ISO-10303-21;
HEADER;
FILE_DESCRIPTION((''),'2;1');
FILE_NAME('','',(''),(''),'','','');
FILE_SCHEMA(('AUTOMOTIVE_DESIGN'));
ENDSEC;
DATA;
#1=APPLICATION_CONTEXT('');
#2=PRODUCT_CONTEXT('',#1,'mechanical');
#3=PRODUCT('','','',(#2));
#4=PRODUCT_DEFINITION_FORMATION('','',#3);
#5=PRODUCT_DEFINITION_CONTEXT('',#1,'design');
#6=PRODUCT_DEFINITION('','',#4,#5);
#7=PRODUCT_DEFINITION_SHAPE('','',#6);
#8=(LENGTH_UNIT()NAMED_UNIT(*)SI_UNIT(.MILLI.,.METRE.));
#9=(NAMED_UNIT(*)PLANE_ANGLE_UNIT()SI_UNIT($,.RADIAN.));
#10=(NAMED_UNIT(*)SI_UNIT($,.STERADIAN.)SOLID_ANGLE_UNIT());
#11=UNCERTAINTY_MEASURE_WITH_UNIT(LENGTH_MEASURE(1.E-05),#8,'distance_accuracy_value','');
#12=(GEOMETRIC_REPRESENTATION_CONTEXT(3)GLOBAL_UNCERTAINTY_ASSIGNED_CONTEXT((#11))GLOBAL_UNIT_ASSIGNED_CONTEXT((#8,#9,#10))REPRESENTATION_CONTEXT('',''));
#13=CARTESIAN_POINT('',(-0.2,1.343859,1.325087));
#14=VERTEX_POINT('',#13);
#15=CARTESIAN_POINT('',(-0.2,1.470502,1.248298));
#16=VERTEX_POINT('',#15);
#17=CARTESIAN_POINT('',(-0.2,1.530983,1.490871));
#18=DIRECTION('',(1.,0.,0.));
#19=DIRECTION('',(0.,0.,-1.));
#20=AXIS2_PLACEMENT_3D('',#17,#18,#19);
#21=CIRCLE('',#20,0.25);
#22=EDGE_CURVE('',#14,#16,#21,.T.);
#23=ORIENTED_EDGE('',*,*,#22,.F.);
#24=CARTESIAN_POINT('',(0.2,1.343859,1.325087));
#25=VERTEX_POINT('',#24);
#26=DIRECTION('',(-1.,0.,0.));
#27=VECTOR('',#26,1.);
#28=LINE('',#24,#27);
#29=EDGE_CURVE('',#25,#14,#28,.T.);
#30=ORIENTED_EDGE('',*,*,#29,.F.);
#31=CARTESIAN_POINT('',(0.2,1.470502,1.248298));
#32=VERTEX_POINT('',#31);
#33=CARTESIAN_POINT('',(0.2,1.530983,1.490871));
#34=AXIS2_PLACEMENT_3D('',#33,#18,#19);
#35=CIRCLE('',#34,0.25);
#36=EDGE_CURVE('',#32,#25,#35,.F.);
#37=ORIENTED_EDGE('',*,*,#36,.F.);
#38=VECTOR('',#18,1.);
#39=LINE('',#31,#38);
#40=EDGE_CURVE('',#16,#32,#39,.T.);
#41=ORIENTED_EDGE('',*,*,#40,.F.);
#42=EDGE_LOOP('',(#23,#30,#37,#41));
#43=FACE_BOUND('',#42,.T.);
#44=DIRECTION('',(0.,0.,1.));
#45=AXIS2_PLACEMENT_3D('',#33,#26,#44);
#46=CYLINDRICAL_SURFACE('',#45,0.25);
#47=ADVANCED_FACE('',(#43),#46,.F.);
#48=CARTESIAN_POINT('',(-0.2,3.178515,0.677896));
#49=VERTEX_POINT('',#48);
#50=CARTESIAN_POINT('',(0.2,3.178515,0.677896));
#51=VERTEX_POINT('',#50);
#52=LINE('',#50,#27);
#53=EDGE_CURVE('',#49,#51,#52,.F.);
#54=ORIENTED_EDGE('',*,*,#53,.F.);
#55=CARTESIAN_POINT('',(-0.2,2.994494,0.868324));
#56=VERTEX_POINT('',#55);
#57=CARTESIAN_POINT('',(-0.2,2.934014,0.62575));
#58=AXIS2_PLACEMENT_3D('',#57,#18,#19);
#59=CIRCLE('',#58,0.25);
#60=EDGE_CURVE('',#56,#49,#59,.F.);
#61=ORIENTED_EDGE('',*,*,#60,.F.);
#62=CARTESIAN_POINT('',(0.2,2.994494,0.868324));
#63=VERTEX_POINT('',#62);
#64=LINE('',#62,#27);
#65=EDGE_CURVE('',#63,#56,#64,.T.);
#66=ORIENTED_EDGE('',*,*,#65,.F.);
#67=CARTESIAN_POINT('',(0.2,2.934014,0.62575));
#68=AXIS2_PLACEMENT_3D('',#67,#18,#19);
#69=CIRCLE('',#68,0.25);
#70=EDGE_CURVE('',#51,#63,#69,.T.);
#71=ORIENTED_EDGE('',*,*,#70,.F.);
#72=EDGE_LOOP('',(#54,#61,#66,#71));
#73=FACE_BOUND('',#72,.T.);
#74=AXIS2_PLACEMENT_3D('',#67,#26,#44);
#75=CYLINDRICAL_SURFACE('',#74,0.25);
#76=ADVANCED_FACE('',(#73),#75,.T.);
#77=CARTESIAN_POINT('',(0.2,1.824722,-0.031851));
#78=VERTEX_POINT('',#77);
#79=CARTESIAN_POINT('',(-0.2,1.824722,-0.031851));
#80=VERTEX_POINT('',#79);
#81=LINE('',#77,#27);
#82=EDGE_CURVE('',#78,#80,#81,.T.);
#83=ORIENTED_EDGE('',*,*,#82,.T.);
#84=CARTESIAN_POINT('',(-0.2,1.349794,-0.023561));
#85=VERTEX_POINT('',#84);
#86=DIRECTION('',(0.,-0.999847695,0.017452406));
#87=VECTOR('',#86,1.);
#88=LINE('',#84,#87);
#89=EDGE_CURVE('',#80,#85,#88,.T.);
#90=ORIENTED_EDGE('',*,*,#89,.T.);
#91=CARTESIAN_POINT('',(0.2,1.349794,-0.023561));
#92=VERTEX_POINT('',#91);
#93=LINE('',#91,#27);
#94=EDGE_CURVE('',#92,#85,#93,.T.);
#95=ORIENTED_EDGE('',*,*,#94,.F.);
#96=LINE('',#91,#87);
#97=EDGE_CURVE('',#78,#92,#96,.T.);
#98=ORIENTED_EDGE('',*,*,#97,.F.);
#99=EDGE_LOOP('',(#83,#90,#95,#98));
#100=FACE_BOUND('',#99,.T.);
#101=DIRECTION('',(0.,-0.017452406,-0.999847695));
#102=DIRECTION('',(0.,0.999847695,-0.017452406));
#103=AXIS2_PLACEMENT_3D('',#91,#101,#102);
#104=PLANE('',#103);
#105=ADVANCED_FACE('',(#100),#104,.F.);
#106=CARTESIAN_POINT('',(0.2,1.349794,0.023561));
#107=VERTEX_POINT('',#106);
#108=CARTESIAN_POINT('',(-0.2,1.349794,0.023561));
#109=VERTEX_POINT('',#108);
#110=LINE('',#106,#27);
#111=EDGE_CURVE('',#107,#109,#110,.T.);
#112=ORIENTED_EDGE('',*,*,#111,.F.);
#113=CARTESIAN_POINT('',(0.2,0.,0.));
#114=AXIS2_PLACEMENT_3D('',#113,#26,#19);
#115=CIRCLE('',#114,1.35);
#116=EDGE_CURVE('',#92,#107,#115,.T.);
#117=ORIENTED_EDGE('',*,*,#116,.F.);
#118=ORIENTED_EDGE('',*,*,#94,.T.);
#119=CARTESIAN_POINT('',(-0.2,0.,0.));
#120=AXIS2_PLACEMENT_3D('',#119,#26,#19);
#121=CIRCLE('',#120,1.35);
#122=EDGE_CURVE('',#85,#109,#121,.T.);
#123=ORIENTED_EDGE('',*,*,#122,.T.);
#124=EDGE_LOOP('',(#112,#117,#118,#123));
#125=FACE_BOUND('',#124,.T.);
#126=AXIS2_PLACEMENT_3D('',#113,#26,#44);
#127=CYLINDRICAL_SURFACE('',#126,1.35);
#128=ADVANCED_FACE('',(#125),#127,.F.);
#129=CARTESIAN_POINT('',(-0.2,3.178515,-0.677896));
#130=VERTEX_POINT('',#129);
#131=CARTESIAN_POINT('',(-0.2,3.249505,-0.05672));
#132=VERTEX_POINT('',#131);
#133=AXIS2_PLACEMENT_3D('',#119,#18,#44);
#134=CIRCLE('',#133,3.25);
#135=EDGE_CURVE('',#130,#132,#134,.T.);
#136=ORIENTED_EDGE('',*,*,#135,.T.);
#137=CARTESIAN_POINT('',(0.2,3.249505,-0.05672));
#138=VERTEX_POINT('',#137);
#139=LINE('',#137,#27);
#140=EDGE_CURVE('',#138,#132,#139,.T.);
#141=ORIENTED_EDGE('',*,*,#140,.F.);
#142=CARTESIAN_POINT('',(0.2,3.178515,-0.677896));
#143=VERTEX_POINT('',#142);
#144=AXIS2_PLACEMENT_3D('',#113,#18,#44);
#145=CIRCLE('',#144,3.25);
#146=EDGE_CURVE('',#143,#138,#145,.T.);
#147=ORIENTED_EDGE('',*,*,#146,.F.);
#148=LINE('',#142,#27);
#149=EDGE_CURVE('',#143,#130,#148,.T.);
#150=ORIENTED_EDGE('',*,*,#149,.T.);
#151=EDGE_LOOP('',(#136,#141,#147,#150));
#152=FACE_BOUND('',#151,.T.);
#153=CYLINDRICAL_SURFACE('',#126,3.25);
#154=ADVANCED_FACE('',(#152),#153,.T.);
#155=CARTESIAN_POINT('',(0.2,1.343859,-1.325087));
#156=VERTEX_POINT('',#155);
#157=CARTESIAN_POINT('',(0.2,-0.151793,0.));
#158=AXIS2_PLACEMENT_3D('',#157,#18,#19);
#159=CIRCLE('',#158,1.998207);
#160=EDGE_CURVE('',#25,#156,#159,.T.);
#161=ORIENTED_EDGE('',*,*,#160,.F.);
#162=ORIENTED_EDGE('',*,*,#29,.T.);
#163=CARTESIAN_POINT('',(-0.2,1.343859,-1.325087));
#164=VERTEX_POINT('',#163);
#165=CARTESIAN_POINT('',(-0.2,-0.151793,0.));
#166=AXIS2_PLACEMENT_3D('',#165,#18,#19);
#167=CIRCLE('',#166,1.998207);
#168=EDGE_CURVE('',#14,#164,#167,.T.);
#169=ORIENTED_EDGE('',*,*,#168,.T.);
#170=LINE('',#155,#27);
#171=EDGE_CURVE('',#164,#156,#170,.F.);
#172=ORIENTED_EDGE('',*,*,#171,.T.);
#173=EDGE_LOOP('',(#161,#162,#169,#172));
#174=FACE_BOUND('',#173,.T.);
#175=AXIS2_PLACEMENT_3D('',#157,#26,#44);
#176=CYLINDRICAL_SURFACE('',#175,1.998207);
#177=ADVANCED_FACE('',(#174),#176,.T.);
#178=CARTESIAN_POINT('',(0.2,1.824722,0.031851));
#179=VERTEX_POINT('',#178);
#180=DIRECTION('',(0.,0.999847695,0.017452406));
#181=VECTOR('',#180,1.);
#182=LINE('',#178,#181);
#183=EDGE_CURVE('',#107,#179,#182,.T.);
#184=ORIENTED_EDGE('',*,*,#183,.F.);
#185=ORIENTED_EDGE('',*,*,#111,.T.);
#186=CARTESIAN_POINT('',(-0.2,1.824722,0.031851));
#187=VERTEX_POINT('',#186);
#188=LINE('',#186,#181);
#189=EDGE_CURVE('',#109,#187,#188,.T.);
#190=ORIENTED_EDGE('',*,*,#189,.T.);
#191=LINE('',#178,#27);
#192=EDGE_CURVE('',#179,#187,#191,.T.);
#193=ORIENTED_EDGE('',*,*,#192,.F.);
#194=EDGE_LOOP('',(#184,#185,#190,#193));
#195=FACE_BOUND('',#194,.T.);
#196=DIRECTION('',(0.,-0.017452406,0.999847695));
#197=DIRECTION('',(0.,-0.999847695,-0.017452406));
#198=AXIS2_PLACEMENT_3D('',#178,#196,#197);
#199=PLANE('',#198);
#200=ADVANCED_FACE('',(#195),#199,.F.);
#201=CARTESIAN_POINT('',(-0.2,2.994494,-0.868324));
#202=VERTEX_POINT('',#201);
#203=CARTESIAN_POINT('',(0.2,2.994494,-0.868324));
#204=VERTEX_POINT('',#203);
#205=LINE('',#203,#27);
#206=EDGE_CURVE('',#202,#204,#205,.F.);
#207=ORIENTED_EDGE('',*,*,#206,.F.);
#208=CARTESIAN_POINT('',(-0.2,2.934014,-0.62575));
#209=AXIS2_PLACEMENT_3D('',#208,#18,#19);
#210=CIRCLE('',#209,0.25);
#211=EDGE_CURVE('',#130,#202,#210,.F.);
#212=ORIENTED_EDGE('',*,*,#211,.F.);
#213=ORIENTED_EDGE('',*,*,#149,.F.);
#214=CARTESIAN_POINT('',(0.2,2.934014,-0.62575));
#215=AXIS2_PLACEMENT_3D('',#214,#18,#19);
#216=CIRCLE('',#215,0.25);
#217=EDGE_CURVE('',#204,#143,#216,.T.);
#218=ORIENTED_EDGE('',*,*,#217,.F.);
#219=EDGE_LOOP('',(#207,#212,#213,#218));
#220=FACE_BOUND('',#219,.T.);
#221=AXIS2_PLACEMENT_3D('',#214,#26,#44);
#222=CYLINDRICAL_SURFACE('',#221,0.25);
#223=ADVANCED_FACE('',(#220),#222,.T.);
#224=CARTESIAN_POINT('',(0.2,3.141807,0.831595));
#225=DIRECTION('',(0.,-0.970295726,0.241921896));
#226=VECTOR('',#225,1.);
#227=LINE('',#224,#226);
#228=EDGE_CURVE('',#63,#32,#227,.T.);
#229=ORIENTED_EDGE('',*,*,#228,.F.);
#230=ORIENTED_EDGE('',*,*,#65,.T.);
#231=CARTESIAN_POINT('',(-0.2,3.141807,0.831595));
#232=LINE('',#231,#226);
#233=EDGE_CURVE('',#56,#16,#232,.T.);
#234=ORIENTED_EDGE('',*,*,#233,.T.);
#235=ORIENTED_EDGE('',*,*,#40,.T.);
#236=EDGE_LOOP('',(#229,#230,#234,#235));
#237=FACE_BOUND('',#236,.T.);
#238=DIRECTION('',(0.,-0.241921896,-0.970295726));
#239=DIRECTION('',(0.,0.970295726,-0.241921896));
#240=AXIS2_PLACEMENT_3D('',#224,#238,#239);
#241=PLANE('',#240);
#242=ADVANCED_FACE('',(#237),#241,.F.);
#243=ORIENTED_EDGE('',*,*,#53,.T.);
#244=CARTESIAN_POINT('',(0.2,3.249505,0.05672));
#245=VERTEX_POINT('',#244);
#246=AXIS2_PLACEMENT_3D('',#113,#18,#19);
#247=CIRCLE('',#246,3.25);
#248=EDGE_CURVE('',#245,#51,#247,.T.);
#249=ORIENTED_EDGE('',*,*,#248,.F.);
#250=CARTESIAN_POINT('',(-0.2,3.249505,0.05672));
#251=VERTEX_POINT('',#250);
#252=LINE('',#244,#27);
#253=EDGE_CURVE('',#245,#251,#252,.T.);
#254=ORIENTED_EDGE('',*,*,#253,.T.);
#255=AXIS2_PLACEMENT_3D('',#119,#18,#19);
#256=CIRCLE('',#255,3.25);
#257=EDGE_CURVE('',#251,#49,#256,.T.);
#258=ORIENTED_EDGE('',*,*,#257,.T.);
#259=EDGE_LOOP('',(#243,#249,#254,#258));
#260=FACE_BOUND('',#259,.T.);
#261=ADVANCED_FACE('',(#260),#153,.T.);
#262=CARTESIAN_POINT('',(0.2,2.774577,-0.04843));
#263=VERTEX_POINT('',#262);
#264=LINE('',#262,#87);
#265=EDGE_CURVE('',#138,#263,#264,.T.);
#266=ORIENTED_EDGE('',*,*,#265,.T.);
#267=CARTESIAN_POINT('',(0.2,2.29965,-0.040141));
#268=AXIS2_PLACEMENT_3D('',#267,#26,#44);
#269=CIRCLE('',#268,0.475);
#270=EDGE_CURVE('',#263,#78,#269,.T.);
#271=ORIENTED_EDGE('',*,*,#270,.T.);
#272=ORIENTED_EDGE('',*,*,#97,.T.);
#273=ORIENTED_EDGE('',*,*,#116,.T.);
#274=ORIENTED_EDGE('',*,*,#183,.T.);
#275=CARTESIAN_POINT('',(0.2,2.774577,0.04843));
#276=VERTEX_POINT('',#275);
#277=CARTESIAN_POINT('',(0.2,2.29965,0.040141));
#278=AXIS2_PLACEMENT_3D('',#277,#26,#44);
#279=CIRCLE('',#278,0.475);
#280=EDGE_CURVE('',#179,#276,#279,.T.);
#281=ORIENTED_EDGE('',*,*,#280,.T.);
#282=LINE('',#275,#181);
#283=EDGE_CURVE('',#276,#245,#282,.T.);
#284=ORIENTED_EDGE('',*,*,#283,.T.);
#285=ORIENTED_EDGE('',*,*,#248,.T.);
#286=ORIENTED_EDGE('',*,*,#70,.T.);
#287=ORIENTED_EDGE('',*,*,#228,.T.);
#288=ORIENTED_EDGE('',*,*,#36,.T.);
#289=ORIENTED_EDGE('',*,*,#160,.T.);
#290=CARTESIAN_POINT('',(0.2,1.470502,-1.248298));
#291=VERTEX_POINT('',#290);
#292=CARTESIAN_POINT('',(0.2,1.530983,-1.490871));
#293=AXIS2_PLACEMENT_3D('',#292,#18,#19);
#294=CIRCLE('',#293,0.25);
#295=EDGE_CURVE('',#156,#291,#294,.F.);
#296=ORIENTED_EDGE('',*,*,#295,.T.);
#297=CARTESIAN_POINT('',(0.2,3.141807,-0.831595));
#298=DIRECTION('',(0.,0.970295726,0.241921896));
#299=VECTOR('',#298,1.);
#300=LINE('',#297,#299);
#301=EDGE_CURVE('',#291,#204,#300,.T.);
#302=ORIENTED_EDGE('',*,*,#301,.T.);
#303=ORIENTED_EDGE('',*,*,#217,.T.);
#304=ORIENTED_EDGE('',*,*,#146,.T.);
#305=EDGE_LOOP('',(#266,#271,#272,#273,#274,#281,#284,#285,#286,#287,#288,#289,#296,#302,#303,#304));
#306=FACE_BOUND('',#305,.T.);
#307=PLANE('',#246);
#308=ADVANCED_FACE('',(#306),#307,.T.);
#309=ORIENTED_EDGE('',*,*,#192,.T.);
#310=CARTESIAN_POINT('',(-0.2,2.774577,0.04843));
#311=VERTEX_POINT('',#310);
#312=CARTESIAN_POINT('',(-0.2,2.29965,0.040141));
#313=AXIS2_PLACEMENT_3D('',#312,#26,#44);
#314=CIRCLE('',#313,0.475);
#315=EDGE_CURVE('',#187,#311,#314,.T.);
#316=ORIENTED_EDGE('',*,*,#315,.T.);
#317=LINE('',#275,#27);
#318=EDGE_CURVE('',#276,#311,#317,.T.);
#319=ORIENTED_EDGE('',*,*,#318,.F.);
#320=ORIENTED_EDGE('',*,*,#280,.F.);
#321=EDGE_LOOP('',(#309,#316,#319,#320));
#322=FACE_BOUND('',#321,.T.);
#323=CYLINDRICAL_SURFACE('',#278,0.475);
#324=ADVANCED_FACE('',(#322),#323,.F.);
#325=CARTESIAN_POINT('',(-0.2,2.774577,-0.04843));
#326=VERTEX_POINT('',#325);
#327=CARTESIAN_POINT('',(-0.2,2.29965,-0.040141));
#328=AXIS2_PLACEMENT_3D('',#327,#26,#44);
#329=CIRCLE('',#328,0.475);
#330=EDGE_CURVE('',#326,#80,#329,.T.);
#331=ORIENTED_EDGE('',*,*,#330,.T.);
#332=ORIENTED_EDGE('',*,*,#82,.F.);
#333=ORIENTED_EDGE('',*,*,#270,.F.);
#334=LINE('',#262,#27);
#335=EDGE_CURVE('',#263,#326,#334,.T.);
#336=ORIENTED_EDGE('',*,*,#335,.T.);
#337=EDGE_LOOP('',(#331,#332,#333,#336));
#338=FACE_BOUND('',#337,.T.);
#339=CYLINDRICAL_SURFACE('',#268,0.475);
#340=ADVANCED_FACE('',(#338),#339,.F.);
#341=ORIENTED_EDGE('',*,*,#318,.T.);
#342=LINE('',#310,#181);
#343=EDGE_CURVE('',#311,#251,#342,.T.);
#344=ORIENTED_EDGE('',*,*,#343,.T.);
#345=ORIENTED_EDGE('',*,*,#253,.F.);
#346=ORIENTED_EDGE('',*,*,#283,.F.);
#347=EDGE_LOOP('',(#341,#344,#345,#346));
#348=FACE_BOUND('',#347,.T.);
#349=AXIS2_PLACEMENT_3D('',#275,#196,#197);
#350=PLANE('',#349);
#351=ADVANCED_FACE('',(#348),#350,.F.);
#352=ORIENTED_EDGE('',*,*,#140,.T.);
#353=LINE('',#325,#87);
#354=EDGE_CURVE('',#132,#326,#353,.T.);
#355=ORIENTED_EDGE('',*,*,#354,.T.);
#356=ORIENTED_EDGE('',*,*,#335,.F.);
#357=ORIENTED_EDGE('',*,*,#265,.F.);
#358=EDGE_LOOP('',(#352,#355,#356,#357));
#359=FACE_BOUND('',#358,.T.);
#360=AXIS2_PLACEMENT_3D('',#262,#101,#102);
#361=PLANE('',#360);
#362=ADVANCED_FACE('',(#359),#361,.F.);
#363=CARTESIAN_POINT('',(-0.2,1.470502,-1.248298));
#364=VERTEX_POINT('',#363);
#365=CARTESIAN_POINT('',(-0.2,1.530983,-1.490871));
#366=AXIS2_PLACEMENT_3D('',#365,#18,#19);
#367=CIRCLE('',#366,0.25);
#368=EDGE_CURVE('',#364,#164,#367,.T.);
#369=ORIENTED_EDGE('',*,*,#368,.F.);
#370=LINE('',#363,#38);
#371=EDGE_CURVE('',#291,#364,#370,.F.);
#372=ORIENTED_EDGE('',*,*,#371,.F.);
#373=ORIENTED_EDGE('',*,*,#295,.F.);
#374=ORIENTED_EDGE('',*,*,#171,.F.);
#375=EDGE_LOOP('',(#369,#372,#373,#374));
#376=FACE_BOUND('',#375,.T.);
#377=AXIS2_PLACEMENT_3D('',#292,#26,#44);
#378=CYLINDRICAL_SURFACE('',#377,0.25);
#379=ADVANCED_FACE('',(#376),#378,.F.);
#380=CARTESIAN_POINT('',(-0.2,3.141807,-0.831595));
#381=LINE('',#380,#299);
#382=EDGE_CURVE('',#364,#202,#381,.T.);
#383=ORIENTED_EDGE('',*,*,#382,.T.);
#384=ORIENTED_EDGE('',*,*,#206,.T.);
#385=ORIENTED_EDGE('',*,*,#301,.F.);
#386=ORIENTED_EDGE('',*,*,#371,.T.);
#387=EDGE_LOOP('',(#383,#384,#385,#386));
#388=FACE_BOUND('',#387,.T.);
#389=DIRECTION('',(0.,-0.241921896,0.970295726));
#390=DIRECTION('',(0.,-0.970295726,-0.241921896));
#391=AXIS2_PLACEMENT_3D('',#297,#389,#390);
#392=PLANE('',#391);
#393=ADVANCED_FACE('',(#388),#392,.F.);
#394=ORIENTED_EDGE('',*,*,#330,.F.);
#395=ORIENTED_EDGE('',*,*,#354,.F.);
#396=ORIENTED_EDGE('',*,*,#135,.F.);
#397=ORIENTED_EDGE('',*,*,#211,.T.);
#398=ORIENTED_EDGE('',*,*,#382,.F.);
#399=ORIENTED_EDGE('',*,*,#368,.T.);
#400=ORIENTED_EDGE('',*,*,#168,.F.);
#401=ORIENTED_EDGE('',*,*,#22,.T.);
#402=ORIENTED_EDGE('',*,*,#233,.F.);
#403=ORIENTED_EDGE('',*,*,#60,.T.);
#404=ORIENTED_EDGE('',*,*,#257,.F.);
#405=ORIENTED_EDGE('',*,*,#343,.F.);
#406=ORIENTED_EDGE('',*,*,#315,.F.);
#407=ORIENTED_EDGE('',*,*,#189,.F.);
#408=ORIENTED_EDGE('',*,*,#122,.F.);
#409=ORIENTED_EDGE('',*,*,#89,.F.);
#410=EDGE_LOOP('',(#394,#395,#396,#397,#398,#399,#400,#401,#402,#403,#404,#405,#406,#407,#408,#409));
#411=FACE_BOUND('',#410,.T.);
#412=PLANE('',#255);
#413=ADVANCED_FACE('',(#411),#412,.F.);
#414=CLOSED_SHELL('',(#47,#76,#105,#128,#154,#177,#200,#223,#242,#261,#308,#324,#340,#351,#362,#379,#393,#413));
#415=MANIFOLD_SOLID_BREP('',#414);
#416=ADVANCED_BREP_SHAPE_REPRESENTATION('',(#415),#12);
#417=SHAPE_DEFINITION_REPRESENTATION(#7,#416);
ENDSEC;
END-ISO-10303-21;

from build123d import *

# Parameters (mm, degrees)
EXTRUDE1_DEPTH = 0.2
FILLET1_R      = 0.25


with BuildPart() as part:
    # Sketch1 → Extrude1 (new, symmetric)
    with BuildSketch(Plane(origin=(0, 0, 0), x_dir=(0, 0, -1), z_dir=(1, 0, 0))):
        with BuildLine():
            Line((0.023560749, 1.349794388), (0.031850642, 1.824722044))
            ThreePointArc((0.031850642, 1.824722044), (0.51506819, 2.291359806), (0.048430428, 2.774577354))
            Line((0.048430428, 2.774577354), (0.056720321, 3.249505009))
            ThreePointArc((0.056720321, 3.249505009), (0.447409805, 3.219056456), (0.831594516, 3.141806894))
            Line((0.831594516, 3.141806894), (1.267663611, 1.392829284))
            ThreePointArc((1.267663611, 1.392829284), (0, -2.15), (-1.267663611, 1.392829284))
            Line((-1.267663611, 1.392829284), (-0.831594516, 3.141806894))
            ThreePointArc((-0.831594516, 3.141806894), (-0.447409805, 3.219056456), (-0.056720321, 3.249505009))
            Line((-0.056720321, 3.249505009), (-0.048430428, 2.774577354))
            ThreePointArc((-0.048430428, 2.774577354), (-0.51506819, 2.291359806), (-0.031850642, 1.824722044))
            Line((-0.031850642, 1.824722044), (-0.023560749, 1.349794388))
            ThreePointArc((-0.023560749, 1.349794388), (0, -1.35), (0.023560749, 1.349794388))
        make_face()
    extrude(amount=EXTRUDE1_DEPTH, both=True)

    # Fillet1
    fillet1_edges = [part.edges().sort_by_distance(p)[0] for p in [
        (0, 3.141806894, -0.831594516),
        (0, 1.392829284, -1.267663611),
        (0, 1.392829284, 1.267663611),
        (0, 3.141806894, 0.831594516),
    ]]
    fillet(fillet1_edges, radius=FILLET1_R)


solid = part.part
